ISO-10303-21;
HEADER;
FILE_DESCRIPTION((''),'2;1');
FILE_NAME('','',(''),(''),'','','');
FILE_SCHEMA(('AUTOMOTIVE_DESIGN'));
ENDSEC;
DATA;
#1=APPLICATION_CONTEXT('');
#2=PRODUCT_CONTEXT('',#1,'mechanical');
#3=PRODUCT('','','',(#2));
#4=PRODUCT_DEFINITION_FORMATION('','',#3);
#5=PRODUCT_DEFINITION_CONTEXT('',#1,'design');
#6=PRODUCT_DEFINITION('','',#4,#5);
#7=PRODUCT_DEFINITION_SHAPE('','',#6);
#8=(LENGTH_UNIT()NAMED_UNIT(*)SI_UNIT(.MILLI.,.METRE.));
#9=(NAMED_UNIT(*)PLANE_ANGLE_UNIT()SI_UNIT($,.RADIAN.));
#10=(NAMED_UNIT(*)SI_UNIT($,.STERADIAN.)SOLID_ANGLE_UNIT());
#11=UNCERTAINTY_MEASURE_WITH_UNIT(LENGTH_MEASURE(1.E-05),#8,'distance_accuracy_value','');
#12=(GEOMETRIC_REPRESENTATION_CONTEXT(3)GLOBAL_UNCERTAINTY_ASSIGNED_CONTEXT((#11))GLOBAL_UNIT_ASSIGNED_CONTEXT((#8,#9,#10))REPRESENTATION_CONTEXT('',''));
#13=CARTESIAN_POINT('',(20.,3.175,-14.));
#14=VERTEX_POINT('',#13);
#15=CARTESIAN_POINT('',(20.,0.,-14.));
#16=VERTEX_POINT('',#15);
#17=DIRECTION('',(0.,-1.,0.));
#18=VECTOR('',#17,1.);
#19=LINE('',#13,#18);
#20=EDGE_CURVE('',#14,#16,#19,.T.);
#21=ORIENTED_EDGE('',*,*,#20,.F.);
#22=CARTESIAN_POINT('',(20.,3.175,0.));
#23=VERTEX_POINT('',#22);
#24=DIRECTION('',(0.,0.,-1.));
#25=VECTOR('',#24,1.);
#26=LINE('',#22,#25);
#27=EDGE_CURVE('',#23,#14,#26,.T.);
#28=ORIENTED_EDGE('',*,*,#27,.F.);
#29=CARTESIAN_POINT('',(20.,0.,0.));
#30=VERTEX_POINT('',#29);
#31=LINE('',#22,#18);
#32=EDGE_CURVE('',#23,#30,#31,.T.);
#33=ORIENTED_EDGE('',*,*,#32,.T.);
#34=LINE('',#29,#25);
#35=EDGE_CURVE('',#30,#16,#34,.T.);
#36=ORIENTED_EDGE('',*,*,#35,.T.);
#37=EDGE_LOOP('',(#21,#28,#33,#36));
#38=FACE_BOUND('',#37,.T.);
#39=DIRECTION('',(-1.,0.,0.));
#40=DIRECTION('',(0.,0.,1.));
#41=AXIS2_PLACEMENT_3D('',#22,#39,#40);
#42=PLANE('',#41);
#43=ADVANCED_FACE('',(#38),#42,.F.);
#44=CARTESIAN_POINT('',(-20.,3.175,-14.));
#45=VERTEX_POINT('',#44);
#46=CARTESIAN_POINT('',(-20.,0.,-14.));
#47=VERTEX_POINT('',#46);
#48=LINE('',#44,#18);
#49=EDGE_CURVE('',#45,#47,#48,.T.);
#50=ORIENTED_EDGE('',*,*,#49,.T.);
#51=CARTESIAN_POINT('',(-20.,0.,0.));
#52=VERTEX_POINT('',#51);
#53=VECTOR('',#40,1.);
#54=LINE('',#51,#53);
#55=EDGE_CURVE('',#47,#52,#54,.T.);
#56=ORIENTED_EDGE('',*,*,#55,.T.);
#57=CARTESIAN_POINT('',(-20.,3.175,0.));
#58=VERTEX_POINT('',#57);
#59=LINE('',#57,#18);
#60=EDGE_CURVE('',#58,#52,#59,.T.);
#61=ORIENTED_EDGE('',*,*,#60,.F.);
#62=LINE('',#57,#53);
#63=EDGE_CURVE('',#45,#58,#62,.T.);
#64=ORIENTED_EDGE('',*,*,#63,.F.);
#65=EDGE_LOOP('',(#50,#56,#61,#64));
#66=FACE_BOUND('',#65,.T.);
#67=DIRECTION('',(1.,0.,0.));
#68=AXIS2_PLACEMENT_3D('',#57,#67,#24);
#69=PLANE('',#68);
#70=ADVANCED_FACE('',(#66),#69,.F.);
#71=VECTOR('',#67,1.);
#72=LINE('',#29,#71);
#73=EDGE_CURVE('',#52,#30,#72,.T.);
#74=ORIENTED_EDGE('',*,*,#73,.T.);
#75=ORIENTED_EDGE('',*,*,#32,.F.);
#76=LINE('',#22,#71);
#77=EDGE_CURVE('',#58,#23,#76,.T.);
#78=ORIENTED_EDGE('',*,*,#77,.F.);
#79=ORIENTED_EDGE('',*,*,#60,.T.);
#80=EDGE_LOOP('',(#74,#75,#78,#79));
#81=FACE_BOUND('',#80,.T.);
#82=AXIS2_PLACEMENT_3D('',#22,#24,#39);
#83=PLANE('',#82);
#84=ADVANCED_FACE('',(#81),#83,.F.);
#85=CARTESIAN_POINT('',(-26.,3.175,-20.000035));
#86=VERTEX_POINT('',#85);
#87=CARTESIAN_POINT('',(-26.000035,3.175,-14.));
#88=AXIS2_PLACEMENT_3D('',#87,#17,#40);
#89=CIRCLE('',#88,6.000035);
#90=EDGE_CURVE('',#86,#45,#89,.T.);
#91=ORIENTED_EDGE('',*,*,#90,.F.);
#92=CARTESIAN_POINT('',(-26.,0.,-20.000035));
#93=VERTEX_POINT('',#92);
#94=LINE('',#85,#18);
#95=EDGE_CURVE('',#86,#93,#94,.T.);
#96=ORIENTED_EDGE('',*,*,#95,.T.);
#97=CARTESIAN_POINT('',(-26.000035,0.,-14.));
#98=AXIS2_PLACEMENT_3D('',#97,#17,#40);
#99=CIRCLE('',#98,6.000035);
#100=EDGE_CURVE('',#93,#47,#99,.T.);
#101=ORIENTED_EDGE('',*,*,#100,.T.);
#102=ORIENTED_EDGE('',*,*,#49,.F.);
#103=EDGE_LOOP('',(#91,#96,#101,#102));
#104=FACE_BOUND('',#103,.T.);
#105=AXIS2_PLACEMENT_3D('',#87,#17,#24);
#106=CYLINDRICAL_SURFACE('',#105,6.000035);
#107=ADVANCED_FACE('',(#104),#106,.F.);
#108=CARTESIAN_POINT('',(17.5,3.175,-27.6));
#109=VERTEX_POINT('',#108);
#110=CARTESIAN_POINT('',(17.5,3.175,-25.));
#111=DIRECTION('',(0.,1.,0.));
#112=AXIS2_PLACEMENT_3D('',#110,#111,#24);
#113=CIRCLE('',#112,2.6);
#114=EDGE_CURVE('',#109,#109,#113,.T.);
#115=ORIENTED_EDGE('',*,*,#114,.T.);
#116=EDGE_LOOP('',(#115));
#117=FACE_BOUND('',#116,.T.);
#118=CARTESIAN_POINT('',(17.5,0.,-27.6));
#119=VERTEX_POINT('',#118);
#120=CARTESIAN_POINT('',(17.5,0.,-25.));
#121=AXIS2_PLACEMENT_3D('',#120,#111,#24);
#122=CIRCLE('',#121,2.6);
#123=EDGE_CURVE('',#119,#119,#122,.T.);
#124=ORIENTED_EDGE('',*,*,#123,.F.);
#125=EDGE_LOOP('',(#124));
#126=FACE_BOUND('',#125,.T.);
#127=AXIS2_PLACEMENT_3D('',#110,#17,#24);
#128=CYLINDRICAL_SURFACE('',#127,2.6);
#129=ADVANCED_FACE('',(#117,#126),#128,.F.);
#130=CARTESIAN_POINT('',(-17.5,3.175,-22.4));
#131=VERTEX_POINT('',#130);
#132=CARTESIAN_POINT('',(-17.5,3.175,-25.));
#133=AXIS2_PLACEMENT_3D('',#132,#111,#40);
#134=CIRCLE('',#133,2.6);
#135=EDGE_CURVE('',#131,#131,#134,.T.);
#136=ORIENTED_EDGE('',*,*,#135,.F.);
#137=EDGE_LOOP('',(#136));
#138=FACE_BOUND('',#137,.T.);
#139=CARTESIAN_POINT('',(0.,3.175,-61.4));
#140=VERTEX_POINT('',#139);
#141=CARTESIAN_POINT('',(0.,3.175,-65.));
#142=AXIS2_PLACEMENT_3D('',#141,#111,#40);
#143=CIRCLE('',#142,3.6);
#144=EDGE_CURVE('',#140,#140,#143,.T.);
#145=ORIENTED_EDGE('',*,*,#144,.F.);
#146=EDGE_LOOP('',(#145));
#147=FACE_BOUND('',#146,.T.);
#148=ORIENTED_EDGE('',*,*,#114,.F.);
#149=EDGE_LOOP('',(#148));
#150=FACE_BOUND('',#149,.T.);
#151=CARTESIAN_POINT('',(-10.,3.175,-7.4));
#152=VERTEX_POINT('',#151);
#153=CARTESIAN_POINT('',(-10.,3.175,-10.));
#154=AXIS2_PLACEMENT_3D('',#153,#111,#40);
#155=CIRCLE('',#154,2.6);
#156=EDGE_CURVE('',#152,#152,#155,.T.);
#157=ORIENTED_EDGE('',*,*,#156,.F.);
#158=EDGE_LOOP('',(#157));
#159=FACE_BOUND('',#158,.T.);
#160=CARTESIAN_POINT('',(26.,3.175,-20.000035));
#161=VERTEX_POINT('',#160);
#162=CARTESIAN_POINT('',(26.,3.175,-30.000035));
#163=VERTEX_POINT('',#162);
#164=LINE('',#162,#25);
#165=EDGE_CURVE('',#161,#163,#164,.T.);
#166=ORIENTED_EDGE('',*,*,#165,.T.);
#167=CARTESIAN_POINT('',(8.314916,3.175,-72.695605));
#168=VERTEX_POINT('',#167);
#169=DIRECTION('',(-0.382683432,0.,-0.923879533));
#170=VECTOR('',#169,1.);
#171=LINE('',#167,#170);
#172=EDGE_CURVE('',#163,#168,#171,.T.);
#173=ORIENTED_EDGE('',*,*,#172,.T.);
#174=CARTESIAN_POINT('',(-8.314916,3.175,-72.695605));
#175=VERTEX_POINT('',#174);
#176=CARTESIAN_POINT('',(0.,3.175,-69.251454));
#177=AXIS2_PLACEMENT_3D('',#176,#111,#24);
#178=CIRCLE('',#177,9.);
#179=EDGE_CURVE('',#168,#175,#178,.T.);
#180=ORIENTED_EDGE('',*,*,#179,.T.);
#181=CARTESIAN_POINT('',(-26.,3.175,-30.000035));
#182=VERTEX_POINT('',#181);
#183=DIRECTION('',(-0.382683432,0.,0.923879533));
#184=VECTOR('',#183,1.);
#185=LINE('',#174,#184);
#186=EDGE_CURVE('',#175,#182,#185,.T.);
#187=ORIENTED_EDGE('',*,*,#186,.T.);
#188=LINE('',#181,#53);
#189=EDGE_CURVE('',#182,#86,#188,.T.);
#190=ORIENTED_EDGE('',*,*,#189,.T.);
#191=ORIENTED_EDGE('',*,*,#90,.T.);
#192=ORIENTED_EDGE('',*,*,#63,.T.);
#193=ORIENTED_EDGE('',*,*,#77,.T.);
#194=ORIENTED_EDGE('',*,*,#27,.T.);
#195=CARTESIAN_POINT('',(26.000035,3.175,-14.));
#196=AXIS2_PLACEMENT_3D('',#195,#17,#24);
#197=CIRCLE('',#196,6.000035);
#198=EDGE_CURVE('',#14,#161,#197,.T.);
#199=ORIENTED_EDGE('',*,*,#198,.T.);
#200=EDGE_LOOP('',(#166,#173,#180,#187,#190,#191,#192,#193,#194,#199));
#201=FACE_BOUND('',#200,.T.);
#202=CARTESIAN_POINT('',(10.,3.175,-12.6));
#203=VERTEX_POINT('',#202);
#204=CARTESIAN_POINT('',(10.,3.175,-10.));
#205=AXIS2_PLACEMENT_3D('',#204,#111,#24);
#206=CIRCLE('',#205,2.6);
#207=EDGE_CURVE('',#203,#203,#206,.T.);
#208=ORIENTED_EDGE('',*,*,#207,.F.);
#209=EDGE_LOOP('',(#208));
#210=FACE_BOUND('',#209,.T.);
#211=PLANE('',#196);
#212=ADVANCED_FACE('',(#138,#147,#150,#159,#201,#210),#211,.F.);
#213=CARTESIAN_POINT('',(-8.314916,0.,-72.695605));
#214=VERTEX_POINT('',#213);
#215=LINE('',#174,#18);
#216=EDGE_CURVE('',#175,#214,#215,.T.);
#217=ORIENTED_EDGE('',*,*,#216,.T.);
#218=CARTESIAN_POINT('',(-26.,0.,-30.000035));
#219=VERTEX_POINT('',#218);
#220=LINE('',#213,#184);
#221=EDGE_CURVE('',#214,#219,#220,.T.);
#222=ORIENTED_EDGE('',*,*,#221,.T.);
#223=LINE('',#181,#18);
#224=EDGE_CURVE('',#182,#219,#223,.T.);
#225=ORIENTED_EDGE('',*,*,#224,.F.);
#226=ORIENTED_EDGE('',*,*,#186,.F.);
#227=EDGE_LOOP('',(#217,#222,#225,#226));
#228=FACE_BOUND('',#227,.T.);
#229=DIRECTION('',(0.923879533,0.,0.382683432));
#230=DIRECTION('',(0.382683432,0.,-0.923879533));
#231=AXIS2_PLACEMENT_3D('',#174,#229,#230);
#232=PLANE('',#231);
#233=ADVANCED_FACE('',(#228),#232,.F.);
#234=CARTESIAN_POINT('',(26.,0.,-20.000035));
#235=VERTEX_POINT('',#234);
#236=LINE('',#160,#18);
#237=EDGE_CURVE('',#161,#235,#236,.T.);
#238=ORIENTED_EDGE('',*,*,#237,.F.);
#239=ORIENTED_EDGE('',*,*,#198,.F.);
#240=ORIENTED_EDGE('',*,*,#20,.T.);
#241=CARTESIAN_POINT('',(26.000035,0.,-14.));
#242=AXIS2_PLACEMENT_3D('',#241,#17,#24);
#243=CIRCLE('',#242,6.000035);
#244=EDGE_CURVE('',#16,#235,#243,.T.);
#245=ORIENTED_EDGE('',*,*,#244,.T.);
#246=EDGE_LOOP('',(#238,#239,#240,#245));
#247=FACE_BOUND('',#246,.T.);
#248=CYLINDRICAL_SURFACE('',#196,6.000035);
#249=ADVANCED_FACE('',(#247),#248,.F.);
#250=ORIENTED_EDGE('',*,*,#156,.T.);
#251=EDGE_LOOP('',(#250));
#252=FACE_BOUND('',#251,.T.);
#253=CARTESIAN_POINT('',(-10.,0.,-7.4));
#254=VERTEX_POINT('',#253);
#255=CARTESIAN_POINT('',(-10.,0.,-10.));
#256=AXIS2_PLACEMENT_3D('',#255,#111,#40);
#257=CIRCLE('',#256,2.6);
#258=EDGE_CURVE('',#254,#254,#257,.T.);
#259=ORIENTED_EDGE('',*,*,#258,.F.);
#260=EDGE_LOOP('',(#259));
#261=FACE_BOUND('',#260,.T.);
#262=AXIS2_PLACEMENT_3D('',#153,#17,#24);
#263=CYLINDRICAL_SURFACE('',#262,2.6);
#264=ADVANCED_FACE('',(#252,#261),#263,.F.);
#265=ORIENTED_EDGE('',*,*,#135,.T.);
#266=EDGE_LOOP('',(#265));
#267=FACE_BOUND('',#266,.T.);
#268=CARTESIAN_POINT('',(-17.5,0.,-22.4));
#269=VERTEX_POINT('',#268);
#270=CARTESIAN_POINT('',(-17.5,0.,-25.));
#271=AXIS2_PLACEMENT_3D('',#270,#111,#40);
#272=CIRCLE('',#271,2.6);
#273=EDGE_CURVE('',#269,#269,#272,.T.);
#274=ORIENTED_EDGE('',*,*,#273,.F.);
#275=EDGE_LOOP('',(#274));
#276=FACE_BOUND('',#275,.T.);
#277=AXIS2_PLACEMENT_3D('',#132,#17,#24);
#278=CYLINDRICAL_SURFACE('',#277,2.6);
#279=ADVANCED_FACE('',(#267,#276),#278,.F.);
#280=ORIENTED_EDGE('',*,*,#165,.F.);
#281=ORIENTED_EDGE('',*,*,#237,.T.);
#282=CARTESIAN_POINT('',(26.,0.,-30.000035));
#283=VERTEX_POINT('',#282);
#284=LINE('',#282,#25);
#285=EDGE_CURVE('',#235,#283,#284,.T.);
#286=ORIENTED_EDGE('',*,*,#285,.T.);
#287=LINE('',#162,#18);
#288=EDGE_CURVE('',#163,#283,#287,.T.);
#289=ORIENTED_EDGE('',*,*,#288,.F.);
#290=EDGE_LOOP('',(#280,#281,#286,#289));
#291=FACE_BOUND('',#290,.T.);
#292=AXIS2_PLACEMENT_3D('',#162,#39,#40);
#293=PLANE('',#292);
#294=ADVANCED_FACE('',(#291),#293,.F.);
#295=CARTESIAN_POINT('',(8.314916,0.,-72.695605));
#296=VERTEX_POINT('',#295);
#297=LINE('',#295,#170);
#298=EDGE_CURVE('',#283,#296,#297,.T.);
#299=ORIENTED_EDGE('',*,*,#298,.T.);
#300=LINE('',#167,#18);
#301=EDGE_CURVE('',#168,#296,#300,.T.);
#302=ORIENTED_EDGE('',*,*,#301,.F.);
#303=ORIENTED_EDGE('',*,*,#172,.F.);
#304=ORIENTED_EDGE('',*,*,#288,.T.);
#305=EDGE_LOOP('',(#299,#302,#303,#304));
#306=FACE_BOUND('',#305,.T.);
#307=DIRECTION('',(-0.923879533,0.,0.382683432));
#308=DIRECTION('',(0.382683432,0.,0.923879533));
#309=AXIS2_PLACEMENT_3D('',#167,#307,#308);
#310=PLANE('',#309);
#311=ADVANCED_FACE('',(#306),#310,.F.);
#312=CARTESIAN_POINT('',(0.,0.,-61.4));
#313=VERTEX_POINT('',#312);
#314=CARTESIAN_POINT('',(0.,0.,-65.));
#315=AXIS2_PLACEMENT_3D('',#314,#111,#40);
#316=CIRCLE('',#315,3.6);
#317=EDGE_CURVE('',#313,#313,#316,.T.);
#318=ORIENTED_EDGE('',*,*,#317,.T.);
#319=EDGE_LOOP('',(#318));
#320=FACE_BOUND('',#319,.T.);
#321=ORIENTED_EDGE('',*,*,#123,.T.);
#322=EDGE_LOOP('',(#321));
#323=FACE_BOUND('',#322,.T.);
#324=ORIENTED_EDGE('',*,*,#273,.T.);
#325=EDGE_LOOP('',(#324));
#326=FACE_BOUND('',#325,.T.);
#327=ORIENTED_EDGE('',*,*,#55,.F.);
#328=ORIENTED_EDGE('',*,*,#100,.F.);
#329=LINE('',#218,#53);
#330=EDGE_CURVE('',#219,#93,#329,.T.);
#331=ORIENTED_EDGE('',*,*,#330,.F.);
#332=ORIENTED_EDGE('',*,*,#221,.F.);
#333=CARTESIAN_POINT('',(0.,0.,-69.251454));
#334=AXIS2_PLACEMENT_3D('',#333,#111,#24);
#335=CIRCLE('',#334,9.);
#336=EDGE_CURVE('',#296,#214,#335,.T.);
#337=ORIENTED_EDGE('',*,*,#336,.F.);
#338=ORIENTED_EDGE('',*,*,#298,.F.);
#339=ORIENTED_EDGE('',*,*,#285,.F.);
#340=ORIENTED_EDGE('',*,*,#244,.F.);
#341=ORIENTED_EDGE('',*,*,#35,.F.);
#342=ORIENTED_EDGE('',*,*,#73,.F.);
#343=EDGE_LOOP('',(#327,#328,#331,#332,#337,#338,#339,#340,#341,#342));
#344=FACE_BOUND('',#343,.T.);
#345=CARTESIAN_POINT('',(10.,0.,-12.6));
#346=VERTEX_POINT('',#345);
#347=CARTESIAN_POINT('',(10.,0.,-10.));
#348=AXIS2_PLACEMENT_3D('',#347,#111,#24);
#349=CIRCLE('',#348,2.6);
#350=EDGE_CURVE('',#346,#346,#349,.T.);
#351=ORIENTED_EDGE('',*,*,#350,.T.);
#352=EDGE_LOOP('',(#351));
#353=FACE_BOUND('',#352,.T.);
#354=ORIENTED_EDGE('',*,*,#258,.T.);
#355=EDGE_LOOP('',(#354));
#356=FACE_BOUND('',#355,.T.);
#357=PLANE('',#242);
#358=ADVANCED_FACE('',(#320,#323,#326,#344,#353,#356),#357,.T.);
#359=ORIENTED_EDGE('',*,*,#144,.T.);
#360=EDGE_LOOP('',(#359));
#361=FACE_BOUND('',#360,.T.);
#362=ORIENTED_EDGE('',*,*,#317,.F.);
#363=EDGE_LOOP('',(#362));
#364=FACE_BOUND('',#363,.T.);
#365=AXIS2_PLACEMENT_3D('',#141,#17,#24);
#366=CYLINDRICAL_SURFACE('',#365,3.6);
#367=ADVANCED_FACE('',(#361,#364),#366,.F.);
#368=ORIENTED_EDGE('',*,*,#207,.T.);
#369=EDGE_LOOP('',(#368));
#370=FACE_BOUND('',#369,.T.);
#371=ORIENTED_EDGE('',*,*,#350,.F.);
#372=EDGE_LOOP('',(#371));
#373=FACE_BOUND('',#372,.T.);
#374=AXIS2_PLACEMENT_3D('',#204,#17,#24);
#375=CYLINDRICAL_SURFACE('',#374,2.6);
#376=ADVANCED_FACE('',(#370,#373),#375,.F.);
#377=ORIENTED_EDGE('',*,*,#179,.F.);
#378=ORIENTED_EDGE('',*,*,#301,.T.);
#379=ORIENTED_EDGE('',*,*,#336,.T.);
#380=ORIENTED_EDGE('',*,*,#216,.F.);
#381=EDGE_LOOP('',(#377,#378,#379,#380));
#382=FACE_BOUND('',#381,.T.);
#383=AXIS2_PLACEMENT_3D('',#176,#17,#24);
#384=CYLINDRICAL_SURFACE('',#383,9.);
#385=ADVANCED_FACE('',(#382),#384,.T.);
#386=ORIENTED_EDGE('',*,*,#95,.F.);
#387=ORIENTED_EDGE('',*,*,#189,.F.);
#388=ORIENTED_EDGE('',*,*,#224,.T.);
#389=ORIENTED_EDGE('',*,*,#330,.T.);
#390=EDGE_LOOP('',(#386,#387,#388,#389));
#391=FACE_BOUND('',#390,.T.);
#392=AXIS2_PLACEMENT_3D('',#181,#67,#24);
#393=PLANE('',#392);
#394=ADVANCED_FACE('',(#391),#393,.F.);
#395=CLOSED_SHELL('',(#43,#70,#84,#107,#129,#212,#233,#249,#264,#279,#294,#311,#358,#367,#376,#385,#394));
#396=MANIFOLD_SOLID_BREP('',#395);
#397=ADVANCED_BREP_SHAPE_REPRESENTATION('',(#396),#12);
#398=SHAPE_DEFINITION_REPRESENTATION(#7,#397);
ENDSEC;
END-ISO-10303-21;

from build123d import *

# Parameters (mm, degrees)
SKETCH1_R           = 2.6
SKETCH1_R_2         = 3.6
BOSS_EXTRUDE1_DEPTH = 3.175


with BuildPart() as part:
    # Sketch1 → Boss-Extrude1 (new body)
    with BuildSketch(Plane(origin=(0, 0, 0), x_dir=(1, 0, 0), z_dir=(0, 1, 0))):
        with BuildLine():
            Line((8.314915793, 72.695604767), (26, 30.000034622))
            Line((26, 30.000034622), (26, 20.000034622))
            ThreePointArc((26, 20.000034622), (21.757357213, 18.242652928), (20, 14))
            Line((20, 14), (20, 0))
            Line((20, 0), (-20, 0))
            Line((-20, 0), (-20, 14))
            ThreePointArc((-20, 14), (-21.757357213, 18.242652928), (-26, 20.000034622))
            Line((-26, 20.000034622), (-26, 30.000034622))
            Line((-26, 30.000034622), (-8.314915793, 72.695604767))
            ThreePointArc((-8.314915793, 72.695604767), (0, 78.251453876), (8.314915793, 72.695604767))
        make_face()
        with Locations((10, 10)):
            Circle(SKETCH1_R, mode=Mode.SUBTRACT)
        with Locations((-17.5, 25)):
            Circle(SKETCH1_R, mode=Mode.SUBTRACT)
        with Locations((0, 65)):
            Circle(SKETCH1_R_2, mode=Mode.SUBTRACT)
        with Locations((17.5, 25)):
            Circle(SKETCH1_R, mode=Mode.SUBTRACT)
        with Locations((-10, 10)):
            Circle(SKETCH1_R, mode=Mode.SUBTRACT)
    extrude(amount=BOSS_EXTRUDE1_DEPTH)


solid = part.part
